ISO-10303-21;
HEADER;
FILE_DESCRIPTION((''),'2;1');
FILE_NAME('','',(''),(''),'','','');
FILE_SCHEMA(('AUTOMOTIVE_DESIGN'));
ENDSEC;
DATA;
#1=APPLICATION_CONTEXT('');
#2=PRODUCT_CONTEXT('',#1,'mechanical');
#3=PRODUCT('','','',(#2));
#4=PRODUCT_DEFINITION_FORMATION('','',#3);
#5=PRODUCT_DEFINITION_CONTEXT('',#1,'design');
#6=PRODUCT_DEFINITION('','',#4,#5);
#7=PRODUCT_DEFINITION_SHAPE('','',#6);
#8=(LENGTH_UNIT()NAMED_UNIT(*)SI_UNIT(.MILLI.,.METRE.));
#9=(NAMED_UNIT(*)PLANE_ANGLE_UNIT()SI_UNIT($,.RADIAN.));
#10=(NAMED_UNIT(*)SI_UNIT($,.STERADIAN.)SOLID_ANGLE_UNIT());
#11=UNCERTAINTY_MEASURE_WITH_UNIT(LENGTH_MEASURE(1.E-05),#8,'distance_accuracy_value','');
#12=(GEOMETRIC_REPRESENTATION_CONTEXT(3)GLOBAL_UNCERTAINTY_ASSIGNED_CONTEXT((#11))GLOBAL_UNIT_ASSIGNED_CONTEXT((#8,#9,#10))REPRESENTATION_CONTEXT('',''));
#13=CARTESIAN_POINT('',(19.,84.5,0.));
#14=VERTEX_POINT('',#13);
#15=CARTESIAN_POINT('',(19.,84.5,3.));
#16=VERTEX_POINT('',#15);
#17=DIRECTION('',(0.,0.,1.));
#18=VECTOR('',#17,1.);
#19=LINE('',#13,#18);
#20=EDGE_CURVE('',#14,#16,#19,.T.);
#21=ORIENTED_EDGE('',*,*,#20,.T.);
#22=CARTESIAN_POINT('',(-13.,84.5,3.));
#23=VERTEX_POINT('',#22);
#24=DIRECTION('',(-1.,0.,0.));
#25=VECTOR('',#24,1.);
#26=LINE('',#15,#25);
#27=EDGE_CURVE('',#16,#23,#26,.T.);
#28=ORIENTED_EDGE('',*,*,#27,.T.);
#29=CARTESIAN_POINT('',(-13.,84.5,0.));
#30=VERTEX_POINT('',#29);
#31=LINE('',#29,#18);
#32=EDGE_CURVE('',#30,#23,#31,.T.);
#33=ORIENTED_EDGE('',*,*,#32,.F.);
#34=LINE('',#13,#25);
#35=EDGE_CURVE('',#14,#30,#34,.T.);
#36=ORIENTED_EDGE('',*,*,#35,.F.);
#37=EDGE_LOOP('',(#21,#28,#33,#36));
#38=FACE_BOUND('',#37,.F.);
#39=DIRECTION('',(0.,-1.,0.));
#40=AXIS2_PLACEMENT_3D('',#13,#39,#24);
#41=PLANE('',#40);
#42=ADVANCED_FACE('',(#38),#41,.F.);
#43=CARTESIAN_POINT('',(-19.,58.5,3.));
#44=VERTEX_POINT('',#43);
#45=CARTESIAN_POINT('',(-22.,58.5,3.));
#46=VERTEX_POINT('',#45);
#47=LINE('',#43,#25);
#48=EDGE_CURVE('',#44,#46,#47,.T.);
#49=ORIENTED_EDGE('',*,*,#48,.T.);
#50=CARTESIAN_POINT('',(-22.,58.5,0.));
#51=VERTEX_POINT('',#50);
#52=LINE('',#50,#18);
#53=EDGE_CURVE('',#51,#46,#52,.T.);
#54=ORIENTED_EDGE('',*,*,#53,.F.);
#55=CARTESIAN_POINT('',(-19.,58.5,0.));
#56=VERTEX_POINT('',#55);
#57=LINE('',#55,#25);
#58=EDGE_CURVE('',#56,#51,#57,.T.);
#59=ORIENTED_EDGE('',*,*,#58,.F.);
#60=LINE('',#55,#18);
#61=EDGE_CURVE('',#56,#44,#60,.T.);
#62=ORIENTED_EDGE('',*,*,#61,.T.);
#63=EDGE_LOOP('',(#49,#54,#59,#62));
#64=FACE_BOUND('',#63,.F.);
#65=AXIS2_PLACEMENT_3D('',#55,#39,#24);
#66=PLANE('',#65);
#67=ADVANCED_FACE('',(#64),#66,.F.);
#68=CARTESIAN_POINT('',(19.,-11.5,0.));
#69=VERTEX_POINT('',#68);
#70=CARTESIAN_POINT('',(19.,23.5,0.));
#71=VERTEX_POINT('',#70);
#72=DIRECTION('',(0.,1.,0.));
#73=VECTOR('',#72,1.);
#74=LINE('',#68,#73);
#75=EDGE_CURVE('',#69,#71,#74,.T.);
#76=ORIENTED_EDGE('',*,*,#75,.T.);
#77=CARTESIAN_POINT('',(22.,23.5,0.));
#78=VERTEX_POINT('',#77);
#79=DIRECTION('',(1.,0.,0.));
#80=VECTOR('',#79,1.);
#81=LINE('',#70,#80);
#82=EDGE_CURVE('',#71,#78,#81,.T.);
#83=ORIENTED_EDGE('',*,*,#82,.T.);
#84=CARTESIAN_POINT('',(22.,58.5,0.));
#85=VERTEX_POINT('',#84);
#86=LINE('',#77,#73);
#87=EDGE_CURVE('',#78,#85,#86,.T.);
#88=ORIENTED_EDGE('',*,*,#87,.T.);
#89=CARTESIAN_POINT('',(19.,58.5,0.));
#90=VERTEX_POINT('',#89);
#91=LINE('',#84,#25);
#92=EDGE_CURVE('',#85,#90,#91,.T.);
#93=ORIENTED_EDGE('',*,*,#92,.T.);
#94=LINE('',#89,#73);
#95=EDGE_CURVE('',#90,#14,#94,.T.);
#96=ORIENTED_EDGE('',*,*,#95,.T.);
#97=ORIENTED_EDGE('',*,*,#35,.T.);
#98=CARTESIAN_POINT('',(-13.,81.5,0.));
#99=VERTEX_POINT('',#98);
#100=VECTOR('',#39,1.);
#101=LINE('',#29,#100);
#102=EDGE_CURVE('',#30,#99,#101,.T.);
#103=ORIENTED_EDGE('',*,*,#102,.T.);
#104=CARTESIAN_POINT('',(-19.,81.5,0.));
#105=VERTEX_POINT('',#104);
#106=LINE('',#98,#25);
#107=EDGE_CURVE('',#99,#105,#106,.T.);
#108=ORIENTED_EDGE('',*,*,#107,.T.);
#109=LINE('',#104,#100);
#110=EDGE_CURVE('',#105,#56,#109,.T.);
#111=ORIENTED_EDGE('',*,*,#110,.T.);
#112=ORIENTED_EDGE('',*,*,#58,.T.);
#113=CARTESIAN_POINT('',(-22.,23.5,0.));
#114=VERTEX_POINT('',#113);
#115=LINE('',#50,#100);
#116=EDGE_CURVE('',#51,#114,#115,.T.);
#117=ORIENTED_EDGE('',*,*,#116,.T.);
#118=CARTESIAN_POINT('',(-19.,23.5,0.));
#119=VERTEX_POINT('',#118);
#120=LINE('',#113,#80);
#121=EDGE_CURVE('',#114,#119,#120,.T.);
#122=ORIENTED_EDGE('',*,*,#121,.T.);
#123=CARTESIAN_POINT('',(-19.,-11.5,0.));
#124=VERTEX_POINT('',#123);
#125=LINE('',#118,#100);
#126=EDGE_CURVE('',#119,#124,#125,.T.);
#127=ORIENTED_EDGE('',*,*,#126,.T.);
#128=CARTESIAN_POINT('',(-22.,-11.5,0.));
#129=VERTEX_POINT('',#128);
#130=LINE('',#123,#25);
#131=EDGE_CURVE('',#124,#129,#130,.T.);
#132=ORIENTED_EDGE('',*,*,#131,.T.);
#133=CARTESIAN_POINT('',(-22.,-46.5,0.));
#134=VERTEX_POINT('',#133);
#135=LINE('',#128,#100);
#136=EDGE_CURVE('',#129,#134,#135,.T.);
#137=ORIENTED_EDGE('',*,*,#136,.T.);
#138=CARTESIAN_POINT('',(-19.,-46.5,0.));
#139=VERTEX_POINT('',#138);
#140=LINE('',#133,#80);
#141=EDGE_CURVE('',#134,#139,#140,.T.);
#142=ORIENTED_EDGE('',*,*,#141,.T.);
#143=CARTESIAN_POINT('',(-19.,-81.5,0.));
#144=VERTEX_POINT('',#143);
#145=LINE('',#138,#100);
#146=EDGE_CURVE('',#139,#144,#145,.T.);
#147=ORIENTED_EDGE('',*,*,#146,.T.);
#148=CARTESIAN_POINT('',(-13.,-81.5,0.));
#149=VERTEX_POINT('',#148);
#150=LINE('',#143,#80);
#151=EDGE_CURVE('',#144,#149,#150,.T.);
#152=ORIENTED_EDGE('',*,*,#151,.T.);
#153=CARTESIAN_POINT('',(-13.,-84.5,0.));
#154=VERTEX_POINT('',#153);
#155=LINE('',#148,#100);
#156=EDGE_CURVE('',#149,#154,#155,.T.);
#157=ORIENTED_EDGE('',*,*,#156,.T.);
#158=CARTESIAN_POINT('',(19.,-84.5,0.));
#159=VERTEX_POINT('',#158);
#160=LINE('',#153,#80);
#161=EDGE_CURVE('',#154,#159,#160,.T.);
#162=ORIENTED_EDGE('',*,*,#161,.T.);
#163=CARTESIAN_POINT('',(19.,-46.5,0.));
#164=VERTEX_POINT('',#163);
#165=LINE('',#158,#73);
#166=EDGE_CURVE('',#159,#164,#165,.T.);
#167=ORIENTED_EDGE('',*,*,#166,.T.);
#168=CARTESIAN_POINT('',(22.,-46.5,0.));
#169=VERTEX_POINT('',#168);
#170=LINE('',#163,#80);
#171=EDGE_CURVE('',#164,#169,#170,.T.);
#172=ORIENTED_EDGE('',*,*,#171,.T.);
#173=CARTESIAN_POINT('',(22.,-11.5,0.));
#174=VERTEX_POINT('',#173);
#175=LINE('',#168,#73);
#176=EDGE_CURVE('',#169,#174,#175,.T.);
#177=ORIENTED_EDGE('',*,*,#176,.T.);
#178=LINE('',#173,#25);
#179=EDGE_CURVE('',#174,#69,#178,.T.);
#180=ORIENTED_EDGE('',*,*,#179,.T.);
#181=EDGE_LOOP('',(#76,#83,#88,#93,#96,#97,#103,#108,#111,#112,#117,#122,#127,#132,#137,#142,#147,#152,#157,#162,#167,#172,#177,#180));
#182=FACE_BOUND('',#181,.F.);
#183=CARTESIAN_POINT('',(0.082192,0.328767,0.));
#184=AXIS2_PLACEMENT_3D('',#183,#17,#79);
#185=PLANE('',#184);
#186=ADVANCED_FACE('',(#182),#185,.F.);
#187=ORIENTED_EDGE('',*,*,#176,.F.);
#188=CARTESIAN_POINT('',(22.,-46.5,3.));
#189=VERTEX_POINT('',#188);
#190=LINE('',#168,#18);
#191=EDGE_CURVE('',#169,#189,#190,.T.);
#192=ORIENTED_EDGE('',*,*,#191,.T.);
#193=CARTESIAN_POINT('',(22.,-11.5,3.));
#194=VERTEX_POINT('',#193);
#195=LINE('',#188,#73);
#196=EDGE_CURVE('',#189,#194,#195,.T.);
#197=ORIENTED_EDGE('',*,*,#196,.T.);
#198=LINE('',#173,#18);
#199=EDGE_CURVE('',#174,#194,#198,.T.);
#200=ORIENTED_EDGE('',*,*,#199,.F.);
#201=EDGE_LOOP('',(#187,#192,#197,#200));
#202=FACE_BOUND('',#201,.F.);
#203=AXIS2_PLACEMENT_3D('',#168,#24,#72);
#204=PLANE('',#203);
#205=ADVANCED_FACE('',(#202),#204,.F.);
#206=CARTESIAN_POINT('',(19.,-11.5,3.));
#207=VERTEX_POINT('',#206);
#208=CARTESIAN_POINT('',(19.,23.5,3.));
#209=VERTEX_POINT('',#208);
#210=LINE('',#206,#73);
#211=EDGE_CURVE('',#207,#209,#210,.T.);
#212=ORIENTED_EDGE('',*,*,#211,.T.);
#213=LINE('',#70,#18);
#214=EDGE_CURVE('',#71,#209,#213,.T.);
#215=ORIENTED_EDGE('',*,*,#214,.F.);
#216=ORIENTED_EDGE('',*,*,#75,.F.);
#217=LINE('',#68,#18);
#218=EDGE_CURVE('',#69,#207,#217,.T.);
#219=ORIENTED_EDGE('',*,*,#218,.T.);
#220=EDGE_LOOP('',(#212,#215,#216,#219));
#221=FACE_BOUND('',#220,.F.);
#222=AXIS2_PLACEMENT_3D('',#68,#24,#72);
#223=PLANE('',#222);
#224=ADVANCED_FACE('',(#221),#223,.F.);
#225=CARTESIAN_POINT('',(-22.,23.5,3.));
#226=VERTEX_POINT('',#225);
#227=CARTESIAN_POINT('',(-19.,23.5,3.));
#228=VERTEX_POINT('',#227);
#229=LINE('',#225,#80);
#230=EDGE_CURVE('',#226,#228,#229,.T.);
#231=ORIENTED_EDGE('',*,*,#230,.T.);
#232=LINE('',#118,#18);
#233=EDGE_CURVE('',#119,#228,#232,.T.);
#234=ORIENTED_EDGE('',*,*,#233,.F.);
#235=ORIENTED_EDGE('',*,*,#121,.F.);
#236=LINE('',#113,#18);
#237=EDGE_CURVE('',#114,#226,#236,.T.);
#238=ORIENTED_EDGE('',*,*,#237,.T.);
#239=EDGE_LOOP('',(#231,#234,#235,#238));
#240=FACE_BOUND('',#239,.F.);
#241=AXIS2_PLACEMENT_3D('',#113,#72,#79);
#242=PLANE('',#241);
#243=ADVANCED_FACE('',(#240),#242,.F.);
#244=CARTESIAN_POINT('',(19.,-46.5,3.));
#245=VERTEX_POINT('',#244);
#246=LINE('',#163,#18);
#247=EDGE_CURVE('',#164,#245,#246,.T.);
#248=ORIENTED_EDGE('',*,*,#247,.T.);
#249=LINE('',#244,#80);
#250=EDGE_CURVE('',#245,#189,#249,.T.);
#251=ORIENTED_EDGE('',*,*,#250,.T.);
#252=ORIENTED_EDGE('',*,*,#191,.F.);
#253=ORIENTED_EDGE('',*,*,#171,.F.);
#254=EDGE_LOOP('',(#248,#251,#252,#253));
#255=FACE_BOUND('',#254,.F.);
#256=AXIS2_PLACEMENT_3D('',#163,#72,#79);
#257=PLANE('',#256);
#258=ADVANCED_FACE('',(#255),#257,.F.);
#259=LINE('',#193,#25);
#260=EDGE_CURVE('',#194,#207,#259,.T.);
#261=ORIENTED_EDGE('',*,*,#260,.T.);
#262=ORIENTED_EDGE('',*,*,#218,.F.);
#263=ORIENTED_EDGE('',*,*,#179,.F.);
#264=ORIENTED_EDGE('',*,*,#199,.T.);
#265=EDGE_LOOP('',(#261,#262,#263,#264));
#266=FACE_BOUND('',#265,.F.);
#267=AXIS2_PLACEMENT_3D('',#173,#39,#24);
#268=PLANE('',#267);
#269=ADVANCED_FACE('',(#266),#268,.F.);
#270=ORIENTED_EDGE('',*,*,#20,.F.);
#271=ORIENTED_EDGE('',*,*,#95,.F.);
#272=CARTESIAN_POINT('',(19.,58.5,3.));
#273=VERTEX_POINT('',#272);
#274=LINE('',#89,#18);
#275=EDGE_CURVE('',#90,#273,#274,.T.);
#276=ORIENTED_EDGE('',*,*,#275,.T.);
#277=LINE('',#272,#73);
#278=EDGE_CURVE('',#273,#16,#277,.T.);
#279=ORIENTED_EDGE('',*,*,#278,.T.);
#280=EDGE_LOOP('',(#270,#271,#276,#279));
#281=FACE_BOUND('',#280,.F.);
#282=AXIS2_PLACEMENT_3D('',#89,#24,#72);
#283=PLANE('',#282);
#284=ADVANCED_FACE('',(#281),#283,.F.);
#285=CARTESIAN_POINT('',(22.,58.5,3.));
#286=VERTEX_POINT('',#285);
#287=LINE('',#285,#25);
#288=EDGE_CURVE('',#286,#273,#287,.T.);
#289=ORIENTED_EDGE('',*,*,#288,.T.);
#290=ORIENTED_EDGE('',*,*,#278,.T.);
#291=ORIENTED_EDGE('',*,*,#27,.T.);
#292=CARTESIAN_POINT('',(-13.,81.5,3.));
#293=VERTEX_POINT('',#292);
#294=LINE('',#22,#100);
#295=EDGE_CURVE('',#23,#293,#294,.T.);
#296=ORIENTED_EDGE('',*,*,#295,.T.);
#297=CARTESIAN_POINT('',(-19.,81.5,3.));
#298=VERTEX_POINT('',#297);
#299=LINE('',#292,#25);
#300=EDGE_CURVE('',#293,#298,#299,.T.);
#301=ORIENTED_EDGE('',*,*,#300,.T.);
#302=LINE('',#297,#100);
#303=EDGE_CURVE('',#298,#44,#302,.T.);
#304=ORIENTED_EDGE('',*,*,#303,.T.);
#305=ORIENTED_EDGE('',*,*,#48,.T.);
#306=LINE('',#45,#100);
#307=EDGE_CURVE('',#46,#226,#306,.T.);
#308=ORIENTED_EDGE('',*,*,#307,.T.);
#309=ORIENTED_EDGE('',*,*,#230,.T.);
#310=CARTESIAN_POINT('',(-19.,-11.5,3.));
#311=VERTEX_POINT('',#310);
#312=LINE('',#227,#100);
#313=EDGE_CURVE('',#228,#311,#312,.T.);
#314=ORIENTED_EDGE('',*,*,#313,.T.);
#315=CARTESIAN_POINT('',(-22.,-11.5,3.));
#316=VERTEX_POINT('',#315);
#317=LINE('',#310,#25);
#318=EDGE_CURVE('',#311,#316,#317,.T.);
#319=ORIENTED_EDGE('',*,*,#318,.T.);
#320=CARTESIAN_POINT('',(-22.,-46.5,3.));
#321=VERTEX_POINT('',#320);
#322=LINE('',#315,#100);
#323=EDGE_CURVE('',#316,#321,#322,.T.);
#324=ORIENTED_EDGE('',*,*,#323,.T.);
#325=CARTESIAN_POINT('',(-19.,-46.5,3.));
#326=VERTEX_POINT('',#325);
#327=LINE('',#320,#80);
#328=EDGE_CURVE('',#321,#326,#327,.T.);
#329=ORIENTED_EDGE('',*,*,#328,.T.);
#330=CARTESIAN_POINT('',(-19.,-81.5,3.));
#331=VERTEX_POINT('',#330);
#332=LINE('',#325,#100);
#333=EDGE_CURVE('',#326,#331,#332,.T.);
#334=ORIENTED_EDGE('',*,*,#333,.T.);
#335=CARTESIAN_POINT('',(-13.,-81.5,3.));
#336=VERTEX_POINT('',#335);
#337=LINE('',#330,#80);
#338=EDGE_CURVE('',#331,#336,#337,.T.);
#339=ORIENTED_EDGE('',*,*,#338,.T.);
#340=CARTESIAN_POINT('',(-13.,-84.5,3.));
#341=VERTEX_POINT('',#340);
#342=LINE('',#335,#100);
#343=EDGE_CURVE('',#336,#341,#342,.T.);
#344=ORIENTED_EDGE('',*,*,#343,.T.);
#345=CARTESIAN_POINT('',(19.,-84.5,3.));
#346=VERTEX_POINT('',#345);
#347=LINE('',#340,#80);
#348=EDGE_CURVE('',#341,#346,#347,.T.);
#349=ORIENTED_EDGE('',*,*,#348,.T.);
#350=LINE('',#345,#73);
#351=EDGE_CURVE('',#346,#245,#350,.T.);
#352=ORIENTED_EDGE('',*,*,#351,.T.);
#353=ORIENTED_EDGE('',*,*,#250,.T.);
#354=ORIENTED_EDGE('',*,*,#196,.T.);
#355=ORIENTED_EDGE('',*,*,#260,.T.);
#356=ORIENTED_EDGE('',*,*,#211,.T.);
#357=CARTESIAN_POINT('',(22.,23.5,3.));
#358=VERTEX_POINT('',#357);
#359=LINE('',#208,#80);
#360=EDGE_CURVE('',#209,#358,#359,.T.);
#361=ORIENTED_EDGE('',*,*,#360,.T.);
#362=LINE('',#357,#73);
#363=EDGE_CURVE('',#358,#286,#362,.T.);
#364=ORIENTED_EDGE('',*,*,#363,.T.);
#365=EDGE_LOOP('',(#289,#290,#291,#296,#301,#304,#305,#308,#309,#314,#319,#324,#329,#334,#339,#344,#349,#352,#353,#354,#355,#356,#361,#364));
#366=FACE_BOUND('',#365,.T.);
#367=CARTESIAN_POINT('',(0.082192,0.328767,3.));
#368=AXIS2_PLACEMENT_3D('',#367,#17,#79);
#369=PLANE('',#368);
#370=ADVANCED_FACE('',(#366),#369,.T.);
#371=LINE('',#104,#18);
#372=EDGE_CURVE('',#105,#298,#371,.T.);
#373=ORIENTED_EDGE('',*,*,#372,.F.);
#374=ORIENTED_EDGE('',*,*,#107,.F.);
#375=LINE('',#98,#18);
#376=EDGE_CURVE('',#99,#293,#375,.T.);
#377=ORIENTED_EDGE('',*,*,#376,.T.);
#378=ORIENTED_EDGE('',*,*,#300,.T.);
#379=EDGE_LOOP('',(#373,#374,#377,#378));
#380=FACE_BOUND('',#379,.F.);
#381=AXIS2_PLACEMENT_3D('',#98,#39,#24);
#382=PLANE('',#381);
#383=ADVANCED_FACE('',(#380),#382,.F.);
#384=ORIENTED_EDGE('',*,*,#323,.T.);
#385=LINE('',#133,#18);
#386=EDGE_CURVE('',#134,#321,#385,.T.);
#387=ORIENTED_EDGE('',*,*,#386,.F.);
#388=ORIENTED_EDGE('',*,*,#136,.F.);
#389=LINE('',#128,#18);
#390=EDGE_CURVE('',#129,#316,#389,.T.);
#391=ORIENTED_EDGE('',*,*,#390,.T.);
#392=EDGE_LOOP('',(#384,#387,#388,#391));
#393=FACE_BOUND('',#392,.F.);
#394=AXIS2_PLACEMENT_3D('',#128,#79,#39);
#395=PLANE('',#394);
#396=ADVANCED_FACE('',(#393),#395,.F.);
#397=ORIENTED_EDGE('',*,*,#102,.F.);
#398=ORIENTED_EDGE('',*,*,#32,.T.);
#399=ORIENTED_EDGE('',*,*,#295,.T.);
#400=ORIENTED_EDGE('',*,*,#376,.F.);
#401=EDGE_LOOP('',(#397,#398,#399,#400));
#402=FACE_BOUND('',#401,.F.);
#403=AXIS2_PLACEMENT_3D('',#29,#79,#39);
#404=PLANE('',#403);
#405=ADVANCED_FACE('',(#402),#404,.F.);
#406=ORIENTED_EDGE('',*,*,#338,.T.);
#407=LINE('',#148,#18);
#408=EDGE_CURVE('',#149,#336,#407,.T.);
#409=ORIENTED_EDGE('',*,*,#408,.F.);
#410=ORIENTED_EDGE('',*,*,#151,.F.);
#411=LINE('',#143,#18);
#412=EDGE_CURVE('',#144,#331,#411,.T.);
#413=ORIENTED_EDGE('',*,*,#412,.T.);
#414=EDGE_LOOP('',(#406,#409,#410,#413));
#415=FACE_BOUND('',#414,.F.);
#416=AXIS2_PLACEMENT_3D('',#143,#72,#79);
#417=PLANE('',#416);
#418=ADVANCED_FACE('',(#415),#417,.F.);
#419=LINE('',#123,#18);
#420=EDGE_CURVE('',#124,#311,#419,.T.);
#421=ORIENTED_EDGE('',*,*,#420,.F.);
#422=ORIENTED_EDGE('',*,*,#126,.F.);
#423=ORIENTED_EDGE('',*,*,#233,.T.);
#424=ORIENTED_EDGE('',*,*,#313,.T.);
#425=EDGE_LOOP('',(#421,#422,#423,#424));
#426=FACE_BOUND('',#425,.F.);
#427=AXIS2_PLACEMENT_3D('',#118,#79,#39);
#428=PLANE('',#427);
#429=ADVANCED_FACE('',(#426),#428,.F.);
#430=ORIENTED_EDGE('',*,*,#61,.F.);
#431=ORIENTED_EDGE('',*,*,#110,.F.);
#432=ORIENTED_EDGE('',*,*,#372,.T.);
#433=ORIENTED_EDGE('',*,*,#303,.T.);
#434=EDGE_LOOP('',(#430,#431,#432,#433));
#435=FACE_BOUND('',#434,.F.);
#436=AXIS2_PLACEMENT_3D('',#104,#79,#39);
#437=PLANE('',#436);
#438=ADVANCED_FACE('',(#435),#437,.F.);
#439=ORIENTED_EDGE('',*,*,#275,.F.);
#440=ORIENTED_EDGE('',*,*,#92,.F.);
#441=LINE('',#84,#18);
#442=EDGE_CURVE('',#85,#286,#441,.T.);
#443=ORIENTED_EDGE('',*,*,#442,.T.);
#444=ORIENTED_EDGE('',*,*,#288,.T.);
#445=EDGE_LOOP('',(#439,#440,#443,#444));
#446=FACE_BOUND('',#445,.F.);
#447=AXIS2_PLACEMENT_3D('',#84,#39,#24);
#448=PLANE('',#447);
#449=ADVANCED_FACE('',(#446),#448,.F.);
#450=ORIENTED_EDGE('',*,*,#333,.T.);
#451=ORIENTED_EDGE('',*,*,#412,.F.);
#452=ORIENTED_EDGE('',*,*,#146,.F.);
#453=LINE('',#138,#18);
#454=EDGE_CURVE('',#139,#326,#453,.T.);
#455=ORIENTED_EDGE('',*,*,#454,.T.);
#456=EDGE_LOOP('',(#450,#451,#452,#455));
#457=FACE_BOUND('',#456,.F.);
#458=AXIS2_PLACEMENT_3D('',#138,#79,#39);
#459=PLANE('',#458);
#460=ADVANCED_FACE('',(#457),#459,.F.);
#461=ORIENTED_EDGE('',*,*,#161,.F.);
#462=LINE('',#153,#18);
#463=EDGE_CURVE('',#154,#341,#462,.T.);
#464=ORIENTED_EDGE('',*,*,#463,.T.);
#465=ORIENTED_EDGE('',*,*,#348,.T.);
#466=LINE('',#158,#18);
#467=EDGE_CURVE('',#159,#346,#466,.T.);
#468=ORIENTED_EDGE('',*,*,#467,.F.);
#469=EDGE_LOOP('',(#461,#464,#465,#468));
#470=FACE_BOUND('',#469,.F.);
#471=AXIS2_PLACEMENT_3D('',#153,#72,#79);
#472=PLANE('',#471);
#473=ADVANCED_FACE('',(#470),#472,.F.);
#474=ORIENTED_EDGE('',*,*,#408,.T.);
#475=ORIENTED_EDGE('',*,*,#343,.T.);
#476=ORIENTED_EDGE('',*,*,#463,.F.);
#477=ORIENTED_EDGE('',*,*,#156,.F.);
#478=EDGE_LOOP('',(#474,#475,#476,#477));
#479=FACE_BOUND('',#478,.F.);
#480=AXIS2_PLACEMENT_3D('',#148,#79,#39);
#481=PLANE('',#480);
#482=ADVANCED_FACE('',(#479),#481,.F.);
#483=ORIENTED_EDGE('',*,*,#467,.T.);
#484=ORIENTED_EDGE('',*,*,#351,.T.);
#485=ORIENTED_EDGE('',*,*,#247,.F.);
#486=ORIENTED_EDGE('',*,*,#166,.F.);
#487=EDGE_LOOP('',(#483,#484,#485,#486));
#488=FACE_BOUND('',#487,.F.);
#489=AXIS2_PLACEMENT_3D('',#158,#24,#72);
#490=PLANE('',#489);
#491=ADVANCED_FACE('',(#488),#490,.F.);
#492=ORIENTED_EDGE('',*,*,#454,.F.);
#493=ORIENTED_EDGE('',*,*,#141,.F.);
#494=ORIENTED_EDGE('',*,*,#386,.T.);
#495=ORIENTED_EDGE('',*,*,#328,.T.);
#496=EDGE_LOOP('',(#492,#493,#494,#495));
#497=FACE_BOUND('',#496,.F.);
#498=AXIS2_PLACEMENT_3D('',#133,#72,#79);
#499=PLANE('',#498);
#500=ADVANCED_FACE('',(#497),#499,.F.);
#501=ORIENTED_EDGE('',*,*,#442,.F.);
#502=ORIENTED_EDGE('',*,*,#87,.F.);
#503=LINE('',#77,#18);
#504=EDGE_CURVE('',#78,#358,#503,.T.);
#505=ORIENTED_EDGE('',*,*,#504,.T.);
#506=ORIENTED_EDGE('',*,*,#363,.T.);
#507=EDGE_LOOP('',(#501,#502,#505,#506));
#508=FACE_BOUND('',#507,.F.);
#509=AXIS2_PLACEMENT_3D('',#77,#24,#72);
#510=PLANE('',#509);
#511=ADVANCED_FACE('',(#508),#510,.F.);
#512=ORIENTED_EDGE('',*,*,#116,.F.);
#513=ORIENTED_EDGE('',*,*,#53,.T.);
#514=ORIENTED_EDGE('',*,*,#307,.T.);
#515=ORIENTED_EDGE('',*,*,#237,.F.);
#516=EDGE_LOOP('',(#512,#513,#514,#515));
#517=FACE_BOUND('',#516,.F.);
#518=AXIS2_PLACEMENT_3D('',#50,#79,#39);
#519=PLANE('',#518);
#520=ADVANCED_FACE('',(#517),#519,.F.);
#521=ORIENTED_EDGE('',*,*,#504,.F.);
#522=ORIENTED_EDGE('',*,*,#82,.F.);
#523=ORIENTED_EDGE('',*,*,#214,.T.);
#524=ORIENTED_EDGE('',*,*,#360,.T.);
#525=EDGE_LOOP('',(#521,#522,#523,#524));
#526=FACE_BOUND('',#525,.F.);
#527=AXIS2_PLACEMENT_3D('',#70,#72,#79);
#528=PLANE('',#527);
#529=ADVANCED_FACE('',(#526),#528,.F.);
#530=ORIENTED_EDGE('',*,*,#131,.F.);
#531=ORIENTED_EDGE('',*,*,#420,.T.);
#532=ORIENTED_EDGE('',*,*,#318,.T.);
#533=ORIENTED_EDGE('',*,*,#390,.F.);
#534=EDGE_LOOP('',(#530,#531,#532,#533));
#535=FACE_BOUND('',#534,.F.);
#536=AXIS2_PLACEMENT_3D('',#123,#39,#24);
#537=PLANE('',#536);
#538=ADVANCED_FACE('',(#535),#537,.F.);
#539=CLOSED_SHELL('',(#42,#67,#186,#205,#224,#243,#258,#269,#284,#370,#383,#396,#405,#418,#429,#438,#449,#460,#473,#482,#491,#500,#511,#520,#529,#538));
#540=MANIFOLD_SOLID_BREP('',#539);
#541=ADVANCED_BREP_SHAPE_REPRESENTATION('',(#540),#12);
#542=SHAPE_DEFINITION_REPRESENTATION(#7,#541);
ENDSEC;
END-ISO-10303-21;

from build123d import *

# Parameters (mm, degrees)
F1_DEPTH = 3


with BuildPart() as f1:
    # F0 (on Top) → F1 (new body)
    with BuildSketch(Plane.XY):
        Polygon((22, 23.5), (22, 58.5), (19, 58.5), (19, 84.5), (-13, 84.5), (-13, 81.5), (-19, 81.5), (-19, 58.5), (-22, 58.5), (-22, 23.5), (-19, 23.5), (-19, -11.5), (-22, -11.5), (-22, -46.5), (-19, -46.5), (-19, -81.5), (-13, -81.5), (-13, -84.5), (19, -84.5), (19, -46.5), (22, -46.5), (22, -11.5), (19, -11.5), (19, 23.5), align=None)
    extrude(amount=F1_DEPTH)


solid = f1.part
